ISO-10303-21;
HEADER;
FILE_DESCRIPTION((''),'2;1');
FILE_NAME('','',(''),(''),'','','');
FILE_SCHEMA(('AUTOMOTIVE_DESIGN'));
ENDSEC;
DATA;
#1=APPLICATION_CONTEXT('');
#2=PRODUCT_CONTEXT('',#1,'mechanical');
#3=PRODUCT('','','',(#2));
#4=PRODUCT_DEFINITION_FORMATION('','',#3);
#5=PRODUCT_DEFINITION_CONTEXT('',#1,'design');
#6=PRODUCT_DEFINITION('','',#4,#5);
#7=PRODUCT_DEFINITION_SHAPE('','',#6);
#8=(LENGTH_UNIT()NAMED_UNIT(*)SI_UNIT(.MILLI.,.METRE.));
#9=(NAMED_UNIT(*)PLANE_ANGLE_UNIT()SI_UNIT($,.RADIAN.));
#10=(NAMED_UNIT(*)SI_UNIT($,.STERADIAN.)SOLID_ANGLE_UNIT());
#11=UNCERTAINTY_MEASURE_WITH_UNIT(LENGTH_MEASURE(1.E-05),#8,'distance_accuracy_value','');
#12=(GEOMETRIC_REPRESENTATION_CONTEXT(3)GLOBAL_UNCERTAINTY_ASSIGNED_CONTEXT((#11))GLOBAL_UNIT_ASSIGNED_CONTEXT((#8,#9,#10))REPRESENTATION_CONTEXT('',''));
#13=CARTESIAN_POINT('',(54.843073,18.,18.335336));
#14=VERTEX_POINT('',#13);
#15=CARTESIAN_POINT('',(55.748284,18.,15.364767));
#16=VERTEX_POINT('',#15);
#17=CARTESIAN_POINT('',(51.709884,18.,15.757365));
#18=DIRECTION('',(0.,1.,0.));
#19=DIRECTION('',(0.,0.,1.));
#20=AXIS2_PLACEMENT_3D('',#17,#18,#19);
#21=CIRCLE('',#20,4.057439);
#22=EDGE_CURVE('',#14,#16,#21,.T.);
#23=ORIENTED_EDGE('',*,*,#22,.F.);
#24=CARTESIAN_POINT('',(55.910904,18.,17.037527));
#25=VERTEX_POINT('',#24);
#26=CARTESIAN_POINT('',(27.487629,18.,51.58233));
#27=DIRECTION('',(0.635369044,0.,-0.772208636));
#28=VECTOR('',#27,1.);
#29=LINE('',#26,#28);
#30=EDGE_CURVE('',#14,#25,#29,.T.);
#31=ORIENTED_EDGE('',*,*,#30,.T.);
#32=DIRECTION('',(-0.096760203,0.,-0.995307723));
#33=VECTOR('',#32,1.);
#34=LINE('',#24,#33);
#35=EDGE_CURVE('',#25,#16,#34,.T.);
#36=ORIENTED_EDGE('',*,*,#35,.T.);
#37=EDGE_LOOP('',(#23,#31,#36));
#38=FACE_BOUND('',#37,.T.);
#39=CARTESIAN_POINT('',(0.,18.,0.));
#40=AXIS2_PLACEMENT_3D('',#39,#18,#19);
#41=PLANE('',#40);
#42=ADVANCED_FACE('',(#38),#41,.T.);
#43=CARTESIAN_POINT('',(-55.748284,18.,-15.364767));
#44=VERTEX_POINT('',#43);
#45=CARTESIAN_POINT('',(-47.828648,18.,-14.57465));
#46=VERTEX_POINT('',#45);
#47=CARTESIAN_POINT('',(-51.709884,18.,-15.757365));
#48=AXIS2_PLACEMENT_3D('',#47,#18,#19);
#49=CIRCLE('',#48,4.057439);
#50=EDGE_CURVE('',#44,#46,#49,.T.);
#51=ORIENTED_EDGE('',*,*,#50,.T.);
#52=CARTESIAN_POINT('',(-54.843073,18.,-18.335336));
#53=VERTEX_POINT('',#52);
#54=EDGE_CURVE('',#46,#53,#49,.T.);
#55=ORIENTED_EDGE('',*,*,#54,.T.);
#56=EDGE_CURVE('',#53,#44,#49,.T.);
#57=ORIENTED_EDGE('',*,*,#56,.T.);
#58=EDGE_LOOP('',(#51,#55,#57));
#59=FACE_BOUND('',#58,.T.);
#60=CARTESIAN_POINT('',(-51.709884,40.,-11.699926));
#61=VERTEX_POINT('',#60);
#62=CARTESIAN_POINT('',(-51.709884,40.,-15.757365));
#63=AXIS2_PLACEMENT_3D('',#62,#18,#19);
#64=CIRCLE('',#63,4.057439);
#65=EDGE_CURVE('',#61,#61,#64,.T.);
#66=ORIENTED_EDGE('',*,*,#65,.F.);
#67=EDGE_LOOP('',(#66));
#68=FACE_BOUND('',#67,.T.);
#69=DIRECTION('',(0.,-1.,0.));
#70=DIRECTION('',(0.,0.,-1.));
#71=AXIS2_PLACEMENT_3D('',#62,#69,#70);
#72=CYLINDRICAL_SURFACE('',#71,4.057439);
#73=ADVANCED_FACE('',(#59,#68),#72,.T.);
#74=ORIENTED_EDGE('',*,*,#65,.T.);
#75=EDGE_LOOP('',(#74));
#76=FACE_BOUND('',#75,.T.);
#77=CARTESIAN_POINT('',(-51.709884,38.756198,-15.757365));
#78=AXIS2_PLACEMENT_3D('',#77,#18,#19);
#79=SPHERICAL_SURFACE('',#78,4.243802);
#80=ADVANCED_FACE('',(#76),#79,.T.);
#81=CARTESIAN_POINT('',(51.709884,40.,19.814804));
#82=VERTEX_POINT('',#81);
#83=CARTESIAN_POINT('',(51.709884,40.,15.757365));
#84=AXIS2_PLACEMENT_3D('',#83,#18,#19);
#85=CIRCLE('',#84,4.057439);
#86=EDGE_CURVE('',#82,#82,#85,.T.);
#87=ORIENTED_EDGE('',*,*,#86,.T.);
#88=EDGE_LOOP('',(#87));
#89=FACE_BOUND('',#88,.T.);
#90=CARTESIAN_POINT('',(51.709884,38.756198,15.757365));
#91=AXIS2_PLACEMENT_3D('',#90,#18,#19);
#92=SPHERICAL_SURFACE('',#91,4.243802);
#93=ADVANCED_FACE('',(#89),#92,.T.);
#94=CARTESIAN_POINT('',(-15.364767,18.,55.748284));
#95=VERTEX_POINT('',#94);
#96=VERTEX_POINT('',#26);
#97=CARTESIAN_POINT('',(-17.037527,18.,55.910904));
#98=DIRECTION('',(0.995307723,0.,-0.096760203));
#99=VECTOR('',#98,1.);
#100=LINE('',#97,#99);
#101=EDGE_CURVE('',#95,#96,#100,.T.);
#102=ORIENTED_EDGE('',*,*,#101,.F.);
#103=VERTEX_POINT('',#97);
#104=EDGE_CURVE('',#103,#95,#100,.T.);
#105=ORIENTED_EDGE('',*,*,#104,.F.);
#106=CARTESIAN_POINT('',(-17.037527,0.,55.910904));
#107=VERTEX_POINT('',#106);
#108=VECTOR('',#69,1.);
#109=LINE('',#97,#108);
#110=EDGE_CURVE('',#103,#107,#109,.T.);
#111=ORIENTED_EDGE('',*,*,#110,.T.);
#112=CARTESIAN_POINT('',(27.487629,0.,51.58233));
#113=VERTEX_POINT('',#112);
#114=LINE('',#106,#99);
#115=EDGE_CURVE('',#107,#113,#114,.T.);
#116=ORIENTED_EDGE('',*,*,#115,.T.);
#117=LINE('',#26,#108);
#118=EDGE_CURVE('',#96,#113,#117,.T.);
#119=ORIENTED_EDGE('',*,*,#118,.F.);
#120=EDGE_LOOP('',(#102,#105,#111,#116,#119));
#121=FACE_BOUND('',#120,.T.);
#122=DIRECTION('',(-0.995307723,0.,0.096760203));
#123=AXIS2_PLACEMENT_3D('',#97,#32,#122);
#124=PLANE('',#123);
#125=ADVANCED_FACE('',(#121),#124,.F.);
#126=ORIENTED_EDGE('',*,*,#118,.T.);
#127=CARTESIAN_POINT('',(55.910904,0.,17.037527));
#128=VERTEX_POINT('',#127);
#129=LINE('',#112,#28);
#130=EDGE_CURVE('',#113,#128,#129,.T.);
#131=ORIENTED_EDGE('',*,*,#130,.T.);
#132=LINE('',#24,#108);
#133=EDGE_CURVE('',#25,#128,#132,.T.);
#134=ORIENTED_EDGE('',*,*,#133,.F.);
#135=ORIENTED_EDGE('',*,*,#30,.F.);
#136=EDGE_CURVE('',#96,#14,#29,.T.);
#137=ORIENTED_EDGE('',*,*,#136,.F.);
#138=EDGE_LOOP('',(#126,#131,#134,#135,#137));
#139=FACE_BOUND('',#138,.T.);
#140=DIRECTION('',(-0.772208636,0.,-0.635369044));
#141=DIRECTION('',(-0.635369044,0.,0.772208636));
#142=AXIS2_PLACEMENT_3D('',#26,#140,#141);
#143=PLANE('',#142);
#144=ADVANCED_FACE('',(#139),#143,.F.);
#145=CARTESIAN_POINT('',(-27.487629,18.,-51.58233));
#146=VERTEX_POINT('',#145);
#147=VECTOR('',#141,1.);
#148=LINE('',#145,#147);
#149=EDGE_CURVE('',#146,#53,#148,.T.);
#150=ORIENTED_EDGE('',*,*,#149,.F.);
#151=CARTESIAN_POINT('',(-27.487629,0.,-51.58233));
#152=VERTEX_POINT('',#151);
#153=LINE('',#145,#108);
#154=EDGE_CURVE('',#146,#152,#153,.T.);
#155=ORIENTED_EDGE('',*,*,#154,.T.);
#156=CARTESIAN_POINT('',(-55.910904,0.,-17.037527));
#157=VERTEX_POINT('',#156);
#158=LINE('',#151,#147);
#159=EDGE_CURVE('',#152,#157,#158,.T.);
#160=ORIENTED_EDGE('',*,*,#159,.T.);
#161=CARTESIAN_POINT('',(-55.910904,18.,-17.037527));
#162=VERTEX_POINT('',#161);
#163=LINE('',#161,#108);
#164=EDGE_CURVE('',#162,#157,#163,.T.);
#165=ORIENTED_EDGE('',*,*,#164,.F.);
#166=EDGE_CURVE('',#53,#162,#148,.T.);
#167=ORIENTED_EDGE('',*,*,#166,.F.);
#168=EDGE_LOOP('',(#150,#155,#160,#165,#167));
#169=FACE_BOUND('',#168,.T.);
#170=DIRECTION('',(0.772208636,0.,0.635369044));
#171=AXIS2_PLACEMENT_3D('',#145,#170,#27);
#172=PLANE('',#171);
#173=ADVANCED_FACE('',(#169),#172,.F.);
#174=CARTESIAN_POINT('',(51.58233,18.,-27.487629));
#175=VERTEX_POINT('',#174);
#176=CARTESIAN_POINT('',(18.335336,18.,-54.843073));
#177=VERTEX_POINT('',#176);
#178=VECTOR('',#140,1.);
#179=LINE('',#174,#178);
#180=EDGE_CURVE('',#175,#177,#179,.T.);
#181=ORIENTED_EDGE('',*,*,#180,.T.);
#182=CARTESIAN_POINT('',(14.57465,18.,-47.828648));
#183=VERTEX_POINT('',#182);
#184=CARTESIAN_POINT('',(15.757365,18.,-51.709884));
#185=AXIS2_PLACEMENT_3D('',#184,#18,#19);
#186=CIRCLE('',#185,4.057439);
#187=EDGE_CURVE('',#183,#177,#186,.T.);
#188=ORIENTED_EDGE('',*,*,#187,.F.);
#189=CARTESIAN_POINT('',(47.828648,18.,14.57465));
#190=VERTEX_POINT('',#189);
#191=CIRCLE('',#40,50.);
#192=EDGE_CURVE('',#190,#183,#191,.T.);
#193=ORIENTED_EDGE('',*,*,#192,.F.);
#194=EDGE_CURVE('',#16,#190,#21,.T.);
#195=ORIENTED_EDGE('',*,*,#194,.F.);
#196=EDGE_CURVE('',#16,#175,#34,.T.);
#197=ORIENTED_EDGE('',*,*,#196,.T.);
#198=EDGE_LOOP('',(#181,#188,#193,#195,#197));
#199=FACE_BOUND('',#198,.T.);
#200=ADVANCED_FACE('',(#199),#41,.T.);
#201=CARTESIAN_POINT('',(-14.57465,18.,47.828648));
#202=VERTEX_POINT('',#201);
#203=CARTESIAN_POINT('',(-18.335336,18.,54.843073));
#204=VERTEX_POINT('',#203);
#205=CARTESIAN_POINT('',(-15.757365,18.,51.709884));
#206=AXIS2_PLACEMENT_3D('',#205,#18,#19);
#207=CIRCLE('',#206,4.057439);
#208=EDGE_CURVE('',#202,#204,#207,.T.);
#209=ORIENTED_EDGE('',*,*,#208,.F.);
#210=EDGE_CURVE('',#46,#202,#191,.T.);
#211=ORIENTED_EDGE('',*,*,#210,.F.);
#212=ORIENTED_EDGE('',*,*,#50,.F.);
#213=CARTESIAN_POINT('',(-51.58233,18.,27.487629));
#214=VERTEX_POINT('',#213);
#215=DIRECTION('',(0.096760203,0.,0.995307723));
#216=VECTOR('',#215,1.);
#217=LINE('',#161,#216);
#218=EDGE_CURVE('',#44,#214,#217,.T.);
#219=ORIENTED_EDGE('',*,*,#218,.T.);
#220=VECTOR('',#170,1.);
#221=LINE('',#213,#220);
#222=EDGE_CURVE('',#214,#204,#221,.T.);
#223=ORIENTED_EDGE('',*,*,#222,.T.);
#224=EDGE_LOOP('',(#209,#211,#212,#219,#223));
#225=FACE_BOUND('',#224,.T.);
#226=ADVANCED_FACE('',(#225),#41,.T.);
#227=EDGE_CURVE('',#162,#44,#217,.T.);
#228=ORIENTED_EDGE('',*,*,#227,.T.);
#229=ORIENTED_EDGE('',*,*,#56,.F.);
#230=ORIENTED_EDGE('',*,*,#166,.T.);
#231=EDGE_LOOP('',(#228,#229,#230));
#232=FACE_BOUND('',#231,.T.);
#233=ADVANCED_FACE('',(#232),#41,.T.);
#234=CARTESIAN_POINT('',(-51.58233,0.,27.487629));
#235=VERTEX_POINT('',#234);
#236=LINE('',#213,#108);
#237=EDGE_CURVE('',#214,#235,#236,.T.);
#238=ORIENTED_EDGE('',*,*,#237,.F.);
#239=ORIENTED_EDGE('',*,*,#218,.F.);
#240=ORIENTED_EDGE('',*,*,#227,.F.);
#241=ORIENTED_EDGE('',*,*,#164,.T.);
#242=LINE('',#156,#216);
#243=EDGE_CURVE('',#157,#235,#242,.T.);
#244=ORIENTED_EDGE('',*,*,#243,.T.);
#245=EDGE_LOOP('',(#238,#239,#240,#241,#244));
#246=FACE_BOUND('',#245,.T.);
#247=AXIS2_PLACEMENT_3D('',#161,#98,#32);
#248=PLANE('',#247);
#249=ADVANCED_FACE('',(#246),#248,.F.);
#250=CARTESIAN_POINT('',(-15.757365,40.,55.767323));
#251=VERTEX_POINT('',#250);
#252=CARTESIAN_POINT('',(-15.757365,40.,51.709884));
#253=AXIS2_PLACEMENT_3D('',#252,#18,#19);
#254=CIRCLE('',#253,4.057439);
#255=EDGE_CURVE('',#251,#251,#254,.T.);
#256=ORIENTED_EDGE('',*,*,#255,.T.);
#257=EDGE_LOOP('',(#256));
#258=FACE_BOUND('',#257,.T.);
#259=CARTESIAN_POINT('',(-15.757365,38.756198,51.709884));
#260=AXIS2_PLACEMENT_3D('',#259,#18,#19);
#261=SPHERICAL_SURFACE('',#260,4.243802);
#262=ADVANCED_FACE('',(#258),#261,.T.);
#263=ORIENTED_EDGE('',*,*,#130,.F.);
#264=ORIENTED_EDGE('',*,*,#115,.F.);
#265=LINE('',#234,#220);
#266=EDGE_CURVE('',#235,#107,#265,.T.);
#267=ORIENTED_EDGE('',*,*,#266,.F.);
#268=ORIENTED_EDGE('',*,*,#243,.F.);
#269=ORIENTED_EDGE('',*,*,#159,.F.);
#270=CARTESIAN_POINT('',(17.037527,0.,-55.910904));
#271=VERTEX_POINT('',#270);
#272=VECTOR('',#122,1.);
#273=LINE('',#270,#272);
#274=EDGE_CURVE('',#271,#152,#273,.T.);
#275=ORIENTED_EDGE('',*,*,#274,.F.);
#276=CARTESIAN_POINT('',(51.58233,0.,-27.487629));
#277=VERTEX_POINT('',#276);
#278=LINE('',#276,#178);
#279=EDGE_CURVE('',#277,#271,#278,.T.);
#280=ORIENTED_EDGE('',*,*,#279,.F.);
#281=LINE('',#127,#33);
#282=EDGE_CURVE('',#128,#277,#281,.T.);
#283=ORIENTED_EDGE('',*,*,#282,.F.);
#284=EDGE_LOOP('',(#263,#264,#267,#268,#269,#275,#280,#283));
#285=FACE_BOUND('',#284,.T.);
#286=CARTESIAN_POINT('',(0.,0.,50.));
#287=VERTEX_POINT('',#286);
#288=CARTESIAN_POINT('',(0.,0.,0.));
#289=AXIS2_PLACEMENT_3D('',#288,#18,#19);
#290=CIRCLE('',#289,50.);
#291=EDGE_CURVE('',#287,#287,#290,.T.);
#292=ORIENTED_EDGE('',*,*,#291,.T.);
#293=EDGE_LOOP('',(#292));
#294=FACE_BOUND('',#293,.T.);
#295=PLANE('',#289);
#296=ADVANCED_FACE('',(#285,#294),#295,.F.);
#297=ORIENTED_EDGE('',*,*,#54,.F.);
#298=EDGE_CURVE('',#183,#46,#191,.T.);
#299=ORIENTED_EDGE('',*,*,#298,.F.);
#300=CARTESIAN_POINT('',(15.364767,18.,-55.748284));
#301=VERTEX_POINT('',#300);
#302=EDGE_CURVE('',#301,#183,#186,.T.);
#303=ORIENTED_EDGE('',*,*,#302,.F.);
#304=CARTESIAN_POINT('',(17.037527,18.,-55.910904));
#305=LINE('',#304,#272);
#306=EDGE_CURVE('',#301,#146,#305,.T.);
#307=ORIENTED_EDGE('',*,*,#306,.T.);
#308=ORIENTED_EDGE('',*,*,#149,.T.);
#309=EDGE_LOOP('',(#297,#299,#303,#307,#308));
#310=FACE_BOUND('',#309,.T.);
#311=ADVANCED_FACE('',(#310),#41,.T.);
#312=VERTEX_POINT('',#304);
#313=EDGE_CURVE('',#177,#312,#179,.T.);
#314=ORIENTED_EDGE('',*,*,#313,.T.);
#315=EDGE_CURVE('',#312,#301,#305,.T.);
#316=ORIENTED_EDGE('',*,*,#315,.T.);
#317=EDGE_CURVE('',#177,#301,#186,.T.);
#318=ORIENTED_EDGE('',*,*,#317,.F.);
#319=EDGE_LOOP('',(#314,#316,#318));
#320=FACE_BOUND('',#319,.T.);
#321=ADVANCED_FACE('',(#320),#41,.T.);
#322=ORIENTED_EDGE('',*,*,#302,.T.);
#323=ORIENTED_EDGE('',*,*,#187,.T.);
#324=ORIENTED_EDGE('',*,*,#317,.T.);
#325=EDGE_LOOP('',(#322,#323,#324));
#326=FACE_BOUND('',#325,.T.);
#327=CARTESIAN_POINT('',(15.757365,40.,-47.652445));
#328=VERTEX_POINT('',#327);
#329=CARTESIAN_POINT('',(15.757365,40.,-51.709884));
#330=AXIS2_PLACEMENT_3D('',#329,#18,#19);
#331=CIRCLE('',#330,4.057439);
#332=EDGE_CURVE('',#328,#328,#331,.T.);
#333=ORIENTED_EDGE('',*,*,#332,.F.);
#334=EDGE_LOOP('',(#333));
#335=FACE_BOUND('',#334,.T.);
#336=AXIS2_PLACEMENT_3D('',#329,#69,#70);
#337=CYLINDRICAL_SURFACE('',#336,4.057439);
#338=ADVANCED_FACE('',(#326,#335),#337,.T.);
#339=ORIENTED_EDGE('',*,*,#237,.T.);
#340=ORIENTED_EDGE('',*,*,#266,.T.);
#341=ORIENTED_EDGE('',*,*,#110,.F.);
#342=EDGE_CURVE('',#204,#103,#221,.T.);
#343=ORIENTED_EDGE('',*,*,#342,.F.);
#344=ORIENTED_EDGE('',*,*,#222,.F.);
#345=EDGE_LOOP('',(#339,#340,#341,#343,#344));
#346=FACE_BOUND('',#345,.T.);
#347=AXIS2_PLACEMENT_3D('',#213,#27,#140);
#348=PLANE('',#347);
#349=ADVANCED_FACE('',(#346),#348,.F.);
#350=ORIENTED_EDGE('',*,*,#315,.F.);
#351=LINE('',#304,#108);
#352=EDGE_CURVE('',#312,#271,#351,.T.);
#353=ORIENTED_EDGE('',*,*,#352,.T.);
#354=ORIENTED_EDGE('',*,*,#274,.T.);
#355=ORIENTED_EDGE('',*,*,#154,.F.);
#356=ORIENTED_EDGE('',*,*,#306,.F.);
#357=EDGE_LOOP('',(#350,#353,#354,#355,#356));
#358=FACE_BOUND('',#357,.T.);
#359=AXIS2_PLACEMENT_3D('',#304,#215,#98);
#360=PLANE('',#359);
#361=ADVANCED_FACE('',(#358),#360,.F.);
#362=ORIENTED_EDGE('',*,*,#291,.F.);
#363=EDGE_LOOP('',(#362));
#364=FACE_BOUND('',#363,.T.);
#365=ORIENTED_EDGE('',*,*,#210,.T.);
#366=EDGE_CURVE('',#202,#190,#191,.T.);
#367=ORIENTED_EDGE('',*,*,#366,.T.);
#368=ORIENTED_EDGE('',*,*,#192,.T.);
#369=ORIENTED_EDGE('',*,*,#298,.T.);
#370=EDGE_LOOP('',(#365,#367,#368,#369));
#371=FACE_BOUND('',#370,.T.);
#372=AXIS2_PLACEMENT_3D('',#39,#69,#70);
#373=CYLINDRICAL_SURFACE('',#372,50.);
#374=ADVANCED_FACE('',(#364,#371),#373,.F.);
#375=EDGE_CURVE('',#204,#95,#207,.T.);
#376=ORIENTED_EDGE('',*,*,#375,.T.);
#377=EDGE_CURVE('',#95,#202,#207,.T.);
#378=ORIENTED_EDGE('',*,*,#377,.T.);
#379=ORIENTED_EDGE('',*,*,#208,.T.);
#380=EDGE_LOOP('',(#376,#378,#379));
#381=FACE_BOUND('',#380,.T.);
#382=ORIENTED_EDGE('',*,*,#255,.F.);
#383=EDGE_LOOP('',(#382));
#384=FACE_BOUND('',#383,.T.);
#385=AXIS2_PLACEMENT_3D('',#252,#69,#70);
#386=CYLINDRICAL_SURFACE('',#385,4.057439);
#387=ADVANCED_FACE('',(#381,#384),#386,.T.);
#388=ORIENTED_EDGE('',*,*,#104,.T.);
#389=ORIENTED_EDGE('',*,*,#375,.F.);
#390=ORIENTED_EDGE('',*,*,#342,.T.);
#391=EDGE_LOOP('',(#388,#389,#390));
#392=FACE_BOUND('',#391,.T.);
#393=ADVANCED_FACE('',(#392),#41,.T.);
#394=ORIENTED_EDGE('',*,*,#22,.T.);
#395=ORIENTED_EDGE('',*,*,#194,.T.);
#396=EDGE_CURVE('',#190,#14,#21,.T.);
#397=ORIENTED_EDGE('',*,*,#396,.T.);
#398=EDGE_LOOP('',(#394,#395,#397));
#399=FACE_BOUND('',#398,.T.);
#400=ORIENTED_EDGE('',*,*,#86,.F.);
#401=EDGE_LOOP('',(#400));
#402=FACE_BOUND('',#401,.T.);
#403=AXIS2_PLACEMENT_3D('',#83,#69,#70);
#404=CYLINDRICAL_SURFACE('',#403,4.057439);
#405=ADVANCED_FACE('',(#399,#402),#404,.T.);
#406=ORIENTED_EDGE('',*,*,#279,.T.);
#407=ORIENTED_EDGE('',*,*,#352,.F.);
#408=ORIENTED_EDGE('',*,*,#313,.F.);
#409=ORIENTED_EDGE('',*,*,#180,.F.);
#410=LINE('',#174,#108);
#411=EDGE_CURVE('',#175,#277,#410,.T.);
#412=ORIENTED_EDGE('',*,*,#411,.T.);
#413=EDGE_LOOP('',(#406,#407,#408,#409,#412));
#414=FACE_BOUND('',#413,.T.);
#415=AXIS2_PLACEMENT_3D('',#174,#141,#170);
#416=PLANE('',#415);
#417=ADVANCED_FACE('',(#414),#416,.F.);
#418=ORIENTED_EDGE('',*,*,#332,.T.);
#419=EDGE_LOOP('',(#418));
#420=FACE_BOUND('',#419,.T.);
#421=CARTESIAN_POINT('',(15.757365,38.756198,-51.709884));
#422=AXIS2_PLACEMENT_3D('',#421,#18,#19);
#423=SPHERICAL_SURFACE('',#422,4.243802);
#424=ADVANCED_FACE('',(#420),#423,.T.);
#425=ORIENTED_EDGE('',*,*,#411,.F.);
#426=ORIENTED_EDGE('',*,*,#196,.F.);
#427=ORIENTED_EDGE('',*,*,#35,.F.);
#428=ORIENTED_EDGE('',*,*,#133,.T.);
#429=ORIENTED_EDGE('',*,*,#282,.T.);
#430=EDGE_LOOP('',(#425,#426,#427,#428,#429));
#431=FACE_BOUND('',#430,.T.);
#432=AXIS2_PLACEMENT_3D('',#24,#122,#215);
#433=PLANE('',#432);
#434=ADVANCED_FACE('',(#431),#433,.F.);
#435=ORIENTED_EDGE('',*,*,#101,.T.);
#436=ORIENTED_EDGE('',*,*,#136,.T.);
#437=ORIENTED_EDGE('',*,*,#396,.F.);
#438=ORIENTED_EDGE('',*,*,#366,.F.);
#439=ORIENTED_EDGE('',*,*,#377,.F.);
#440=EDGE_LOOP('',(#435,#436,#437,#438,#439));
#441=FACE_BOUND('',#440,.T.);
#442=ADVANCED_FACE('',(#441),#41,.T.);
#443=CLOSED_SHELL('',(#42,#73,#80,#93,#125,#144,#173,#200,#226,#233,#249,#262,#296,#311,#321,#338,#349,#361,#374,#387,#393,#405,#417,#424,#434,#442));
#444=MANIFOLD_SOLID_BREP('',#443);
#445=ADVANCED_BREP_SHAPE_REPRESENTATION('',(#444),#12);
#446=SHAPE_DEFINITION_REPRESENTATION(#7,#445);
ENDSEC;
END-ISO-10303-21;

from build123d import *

# Parameters (mm, degrees)
SKETCH1_R           = 50
BOSS_EXTRUDE1_DEPTH = 18
SKETCH2_R           = 4.057438755
BOSS_EXTRUDE2_DEPTH = 22
DOME1_FACE_RADIUS   = 4.057438755
DOME1_HEIGHT        = 3
DOME2_FACE_RADIUS   = 4.057438755
DOME2_HEIGHT        = 3
DOME3_FACE_RADIUS   = 4.057438755
DOME3_HEIGHT        = 3
DOME4_FACE_RADIUS   = 4.057438755
DOME4_HEIGHT        = 3


with BuildPart() as part:
    # Sketch1 → Boss-Extrude1 (new body)
    with BuildSketch(Plane(origin=(0, 0, 0), x_dir=(1, 0, 0), z_dir=(0, 1, 0))):
        Polygon((-27.487628691, 51.582330048), (-55.910904013, 17.03752672), (-51.582330048, -27.487628691), (-17.03752672, -55.910904013), (27.487628691, -51.582330048), (55.910904013, -17.03752672), (51.582330048, 27.487628691), (17.03752672, 55.910904013), align=None)
        Circle(SKETCH1_R, mode=Mode.SUBTRACT)
    extrude(amount=BOSS_EXTRUDE1_DEPTH)

    # Sketch2 → Boss-Extrude2 (add)
    with BuildSketch(Plane(origin=(0, 18, 0), x_dir=(1, 0, 0), z_dir=(0, 1, 0))):
        with Locations((-51.709884221, 15.757365217)):
            Circle(SKETCH2_R)
        with Locations((15.757365217, 51.709884221)):
            Circle(SKETCH2_R)
        with Locations((51.709884221, -15.757365217)):
            Circle(SKETCH2_R)
        with Locations((-15.757365217, -51.709884221)):
            Circle(SKETCH2_R)
    extrude(amount=BOSS_EXTRUDE2_DEPTH)

    # Dome1: a dome of height H over a round flat face of radius A is a cap of a sphere of radius (A * A + H * H) / (2 * H)
    dome1_r = (DOME1_FACE_RADIUS * DOME1_FACE_RADIUS + DOME1_HEIGHT * DOME1_HEIGHT) / (2 * DOME1_HEIGHT)
    dome1_base = Plane((-51.709884221, 40, -15.757365217), z_dir=(0, 1, 0))
    with Locations(dome1_base.offset(DOME1_HEIGHT - dome1_r)):
        dome1_ball = Sphere(dome1_r, mode=Mode.PRIVATE)
    add(split(dome1_ball, bisect_by=dome1_base, keep=Keep.TOP, mode=Mode.PRIVATE))

    # Dome2: a dome of height H over a round flat face of radius A is a cap of a sphere of radius (A * A + H * H) / (2 * H)
    dome2_r = (DOME2_FACE_RADIUS * DOME2_FACE_RADIUS + DOME2_HEIGHT * DOME2_HEIGHT) / (2 * DOME2_HEIGHT)
    dome2_base = Plane((15.757365217, 40, -51.709884221), z_dir=(0, 1, 0))
    with Locations(dome2_base.offset(DOME2_HEIGHT - dome2_r)):
        dome2_ball = Sphere(dome2_r, mode=Mode.PRIVATE)
    add(split(dome2_ball, bisect_by=dome2_base, keep=Keep.TOP, mode=Mode.PRIVATE))

    # Dome3: a dome of height H over a round flat face of radius A is a cap of a sphere of radius (A * A + H * H) / (2 * H)
    dome3_r = (DOME3_FACE_RADIUS * DOME3_FACE_RADIUS + DOME3_HEIGHT * DOME3_HEIGHT) / (2 * DOME3_HEIGHT)
    dome3_base = Plane((51.709884221, 40, 15.757365217), z_dir=(0, 1, 0))
    with Locations(dome3_base.offset(DOME3_HEIGHT - dome3_r)):
        dome3_ball = Sphere(dome3_r, mode=Mode.PRIVATE)
    add(split(dome3_ball, bisect_by=dome3_base, keep=Keep.TOP, mode=Mode.PRIVATE))

    # Dome4: a dome of height H over a round flat face of radius A is a cap of a sphere of radius (A * A + H * H) / (2 * H)
    dome4_r = (DOME4_FACE_RADIUS * DOME4_FACE_RADIUS + DOME4_HEIGHT * DOME4_HEIGHT) / (2 * DOME4_HEIGHT)
    dome4_base = Plane((-15.757365217, 40, 51.709884221), z_dir=(0, 1, 0))
    with Locations(dome4_base.offset(DOME4_HEIGHT - dome4_r)):
        dome4_ball = Sphere(dome4_r, mode=Mode.PRIVATE)
    add(split(dome4_ball, bisect_by=dome4_base, keep=Keep.TOP, mode=Mode.PRIVATE))


solid = part.part
